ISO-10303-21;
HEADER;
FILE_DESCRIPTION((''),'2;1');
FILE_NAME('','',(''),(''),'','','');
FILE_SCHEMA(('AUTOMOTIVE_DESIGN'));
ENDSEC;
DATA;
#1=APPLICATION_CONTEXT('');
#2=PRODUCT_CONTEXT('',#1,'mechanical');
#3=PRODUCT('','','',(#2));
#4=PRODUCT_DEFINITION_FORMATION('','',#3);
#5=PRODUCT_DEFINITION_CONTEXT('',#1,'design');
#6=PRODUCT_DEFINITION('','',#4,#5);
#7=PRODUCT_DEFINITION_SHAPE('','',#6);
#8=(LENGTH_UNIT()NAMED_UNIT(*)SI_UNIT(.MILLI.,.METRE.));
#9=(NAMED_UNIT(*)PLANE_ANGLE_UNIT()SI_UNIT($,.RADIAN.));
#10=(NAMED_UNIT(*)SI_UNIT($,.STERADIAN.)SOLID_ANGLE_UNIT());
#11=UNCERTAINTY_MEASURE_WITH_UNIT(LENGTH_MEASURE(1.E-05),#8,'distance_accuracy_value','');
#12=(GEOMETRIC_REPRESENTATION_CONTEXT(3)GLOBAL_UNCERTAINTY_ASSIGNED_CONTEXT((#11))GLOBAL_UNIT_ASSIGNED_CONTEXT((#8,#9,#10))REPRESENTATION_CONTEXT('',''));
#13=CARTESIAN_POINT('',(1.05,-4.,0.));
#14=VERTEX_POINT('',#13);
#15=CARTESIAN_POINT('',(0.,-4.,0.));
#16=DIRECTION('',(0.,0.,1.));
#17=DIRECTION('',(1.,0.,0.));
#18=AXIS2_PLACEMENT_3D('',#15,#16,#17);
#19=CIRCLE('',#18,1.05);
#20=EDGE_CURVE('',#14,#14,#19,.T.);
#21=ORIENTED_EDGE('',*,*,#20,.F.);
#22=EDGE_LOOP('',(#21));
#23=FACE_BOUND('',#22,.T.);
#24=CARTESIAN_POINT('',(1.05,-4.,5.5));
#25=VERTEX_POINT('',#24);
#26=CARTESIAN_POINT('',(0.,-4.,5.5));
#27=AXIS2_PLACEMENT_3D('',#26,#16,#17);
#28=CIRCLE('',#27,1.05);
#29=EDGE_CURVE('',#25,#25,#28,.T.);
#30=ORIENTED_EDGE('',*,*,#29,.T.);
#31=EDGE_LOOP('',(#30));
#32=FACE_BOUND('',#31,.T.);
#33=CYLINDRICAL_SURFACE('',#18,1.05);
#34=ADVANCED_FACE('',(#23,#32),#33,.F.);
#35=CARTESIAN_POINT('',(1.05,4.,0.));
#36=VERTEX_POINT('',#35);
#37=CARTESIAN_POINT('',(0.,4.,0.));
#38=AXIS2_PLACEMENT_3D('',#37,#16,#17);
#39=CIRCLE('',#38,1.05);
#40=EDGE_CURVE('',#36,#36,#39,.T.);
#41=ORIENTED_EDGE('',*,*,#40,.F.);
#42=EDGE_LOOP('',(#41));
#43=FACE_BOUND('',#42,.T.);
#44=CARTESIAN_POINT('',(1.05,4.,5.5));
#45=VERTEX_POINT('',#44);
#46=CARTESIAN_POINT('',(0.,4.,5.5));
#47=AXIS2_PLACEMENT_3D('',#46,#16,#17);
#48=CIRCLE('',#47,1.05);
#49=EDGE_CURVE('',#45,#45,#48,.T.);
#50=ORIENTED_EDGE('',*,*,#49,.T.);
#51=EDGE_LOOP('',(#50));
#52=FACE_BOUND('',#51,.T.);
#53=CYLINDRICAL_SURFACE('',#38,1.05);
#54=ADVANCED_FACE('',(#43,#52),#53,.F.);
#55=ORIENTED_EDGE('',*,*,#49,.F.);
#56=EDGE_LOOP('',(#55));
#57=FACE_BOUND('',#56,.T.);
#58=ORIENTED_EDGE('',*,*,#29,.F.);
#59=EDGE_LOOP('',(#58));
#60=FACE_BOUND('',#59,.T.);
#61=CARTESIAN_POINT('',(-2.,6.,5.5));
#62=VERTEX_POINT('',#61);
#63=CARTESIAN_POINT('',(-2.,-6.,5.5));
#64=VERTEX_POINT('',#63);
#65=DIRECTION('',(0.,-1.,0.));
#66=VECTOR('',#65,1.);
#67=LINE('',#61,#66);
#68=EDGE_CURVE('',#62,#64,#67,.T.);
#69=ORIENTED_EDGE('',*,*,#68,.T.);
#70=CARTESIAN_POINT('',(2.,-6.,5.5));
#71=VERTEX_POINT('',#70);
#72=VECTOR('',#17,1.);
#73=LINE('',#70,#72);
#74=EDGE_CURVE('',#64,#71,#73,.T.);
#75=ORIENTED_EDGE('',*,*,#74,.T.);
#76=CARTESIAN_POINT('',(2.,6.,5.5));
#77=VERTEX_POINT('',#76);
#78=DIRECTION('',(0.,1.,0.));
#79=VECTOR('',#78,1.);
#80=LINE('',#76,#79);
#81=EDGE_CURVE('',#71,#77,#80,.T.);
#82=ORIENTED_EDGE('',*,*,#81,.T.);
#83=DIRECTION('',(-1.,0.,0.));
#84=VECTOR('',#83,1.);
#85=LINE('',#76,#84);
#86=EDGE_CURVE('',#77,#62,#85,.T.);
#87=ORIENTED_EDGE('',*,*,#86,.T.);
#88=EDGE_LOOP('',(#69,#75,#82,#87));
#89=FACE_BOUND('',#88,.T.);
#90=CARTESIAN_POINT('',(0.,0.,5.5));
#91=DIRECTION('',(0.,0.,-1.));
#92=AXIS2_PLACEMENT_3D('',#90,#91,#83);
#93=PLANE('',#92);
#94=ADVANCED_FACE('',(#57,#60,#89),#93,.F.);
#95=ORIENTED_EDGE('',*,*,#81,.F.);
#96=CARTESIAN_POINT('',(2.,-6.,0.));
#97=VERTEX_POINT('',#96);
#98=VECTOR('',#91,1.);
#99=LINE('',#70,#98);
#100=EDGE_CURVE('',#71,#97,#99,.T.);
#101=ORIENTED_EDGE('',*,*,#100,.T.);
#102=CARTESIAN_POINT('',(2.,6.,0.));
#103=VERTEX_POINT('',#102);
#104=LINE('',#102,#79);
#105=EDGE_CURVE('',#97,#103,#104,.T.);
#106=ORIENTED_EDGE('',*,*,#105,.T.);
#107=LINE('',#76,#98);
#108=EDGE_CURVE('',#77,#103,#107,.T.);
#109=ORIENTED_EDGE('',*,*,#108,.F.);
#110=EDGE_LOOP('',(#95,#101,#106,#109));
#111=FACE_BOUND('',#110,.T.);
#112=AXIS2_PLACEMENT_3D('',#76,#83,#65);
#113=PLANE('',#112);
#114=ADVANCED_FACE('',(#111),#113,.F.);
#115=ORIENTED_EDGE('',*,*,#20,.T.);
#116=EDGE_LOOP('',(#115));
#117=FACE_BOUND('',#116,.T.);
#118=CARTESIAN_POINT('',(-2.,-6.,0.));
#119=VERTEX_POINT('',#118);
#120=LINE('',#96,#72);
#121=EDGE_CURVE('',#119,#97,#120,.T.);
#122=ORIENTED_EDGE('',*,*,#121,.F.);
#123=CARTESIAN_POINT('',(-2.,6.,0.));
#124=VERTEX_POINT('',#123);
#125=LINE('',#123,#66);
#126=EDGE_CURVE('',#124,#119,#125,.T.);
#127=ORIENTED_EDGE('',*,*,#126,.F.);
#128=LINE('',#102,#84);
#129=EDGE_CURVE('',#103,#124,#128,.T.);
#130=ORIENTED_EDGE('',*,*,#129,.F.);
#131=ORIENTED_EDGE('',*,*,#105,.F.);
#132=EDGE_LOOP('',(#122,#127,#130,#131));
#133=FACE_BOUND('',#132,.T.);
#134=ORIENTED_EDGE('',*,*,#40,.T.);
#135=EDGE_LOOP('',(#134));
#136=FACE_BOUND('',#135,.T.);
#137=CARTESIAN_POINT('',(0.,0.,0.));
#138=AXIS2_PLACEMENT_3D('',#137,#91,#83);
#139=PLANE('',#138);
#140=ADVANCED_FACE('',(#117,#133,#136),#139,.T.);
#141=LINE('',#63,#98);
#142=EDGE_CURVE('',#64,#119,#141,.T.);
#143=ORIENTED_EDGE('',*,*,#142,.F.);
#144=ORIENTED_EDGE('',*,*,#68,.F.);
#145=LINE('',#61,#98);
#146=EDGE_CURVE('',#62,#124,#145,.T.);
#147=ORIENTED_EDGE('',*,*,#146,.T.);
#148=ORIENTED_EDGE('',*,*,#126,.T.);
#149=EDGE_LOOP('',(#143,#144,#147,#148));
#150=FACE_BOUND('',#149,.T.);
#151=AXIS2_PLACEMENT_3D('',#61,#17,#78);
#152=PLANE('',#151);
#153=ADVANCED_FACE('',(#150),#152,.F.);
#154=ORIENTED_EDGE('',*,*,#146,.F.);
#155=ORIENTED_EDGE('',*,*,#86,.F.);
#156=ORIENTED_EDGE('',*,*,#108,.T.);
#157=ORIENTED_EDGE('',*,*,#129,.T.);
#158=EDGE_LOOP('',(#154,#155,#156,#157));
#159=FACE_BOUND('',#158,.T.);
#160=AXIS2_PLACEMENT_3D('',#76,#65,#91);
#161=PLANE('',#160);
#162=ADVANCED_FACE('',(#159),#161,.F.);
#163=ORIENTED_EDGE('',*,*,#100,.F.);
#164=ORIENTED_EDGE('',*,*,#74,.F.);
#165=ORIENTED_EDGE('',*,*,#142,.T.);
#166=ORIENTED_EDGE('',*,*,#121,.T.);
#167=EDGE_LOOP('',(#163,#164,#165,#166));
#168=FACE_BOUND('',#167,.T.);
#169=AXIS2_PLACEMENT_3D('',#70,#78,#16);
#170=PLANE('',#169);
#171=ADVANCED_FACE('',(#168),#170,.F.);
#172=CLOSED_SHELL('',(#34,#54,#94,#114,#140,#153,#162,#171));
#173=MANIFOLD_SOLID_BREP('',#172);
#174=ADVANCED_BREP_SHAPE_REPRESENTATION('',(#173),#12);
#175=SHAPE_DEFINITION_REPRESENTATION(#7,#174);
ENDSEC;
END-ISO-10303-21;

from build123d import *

# Parameters (mm, degrees)
SKETCH_1_W          = 4
SKETCH_1_H          = 12
EXTRUDE_1_DEPTH     = 5.5
SKETCH_2_R          = 1.05
CUT_EXTRUDE_1_DEPTH = 9.381527307


with BuildPart() as part:
    # ｽｹｯﾁ1 → ﾎﾞｽ - 押し出し1 (new body)
    with BuildSketch(Plane.XY):
        Rectangle(SKETCH_1_W, SKETCH_1_H)
    extrude(amount=EXTRUDE_1_DEPTH)

    # ｽｹｯﾁ2 → ｶｯﾄ - 押し出し1 (cut, through all)
    with BuildSketch(Plane.XY.offset(5.5)):
        with Locations((0, 4)):
            Circle(SKETCH_2_R)
        with Locations((0, -4)):
            Circle(SKETCH_2_R)
    extrude(amount=-CUT_EXTRUDE_1_DEPTH, mode=Mode.SUBTRACT)


solid = part.part
